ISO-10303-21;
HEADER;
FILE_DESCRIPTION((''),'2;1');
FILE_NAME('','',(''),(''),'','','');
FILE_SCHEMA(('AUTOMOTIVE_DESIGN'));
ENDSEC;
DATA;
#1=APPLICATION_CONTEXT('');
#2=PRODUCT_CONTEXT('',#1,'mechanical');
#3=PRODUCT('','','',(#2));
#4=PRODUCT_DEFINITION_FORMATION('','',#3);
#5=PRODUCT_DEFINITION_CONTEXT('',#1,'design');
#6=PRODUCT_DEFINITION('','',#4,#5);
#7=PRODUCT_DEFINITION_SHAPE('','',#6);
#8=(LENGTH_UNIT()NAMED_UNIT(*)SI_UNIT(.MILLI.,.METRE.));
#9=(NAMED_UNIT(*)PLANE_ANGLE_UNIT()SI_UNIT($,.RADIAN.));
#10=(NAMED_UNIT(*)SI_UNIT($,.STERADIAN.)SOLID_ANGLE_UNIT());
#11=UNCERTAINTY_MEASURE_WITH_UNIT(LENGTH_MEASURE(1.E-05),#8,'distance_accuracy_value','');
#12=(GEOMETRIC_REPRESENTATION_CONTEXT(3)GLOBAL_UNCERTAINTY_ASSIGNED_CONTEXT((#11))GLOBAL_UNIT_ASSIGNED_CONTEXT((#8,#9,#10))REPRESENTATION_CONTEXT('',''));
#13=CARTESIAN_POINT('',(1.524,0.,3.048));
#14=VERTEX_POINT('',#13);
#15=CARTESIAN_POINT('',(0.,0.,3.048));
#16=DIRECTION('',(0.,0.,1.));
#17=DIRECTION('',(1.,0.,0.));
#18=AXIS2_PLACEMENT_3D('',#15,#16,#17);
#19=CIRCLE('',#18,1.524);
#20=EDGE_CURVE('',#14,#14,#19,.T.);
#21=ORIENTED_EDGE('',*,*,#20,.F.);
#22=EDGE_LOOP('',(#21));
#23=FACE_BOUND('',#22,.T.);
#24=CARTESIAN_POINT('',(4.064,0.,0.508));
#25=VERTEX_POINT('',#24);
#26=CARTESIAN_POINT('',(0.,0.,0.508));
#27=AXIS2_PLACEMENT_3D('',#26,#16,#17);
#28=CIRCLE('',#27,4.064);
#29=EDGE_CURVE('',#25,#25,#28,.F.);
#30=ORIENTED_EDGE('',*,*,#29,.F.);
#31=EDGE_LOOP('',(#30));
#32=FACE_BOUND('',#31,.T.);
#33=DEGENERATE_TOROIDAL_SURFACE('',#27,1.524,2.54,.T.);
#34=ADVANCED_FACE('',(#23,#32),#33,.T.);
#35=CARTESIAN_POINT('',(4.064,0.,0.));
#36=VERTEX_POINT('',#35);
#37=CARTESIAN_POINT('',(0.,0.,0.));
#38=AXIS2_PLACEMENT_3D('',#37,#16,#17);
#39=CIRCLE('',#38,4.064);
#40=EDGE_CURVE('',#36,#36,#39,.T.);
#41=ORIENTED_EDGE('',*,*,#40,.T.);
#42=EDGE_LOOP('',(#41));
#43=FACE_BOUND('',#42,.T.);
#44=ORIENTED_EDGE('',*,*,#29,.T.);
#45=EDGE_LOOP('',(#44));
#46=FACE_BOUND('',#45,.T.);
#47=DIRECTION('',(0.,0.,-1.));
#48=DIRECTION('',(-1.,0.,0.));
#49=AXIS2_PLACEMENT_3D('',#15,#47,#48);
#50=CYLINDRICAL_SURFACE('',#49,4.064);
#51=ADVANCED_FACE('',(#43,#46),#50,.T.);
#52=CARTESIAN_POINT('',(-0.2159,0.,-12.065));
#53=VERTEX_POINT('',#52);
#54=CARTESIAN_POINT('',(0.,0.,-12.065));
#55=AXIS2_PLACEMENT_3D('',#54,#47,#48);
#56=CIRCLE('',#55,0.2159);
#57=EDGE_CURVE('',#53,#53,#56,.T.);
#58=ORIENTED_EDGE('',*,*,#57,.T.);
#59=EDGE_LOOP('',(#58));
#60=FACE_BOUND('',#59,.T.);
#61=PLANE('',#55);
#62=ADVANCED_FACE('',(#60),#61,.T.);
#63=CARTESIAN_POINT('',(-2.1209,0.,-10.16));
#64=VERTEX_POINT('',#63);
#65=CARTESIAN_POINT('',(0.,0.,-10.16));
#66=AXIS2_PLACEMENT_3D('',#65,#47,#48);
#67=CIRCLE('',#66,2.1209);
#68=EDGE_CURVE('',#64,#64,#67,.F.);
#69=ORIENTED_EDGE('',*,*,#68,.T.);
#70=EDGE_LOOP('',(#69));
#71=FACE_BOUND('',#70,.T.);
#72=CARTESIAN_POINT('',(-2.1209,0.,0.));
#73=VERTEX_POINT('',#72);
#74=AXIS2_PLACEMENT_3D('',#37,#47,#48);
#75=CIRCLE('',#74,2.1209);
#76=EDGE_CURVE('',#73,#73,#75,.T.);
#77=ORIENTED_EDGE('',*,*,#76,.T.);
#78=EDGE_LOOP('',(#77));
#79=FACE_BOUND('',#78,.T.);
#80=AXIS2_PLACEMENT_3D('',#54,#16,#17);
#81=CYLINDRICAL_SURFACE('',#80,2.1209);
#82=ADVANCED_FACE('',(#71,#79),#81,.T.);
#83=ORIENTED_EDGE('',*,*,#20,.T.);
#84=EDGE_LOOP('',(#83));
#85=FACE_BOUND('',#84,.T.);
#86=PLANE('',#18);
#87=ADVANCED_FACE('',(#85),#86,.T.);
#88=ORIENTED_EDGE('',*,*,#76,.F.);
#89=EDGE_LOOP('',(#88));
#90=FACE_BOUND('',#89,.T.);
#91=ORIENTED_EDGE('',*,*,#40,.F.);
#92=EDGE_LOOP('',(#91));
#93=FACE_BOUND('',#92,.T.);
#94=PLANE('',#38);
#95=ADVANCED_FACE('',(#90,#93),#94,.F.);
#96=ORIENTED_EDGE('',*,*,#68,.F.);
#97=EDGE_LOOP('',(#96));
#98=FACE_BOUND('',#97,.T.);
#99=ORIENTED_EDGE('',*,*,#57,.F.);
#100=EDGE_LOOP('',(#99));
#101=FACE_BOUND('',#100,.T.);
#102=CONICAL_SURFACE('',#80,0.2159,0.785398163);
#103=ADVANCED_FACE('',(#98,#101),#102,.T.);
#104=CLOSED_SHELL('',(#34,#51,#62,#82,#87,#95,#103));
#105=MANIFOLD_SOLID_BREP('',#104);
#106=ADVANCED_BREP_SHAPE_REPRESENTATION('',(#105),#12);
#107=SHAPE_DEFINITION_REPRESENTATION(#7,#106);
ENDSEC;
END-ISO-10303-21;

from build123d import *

# Parameters (mm, degrees)
SKETCH1_R           = 4.064
BOSS_EXTRUDE1_DEPTH = 3.048
SKETCH2_R           = 2.1209
BOSS_EXTRUDE2_DEPTH = 12.065
CHAMFER1_SIZE       = 1.905
FILLET1_R           = 2.54


with BuildPart() as part:
    # Sketch1 → Boss-Extrude1 (new body)
    with BuildSketch(Plane.XY):
        Circle(SKETCH1_R)
    extrude(amount=BOSS_EXTRUDE1_DEPTH)

    # Sketch2 → Boss-Extrude2 (add)
    with BuildSketch(Plane(origin=(0, 0, 0), x_dir=(-1, 0, 0), z_dir=(0, 0, -1))):
        Circle(SKETCH2_R)
    extrude(amount=BOSS_EXTRUDE2_DEPTH)

    # Chamfer1
    chamfer1_edges = [part.edges().sort_by_distance(p)[0] for p in [
        (2.1209, 0, -12.065),
    ]]
    chamfer(chamfer1_edges, length=CHAMFER1_SIZE)

    # Fillet1
    fillet1_edges = [part.edges().sort_by_distance(p)[0] for p in [
        (-4.064, 0, 3.048),
    ]]
    fillet(fillet1_edges, radius=FILLET1_R)


solid = part.part
